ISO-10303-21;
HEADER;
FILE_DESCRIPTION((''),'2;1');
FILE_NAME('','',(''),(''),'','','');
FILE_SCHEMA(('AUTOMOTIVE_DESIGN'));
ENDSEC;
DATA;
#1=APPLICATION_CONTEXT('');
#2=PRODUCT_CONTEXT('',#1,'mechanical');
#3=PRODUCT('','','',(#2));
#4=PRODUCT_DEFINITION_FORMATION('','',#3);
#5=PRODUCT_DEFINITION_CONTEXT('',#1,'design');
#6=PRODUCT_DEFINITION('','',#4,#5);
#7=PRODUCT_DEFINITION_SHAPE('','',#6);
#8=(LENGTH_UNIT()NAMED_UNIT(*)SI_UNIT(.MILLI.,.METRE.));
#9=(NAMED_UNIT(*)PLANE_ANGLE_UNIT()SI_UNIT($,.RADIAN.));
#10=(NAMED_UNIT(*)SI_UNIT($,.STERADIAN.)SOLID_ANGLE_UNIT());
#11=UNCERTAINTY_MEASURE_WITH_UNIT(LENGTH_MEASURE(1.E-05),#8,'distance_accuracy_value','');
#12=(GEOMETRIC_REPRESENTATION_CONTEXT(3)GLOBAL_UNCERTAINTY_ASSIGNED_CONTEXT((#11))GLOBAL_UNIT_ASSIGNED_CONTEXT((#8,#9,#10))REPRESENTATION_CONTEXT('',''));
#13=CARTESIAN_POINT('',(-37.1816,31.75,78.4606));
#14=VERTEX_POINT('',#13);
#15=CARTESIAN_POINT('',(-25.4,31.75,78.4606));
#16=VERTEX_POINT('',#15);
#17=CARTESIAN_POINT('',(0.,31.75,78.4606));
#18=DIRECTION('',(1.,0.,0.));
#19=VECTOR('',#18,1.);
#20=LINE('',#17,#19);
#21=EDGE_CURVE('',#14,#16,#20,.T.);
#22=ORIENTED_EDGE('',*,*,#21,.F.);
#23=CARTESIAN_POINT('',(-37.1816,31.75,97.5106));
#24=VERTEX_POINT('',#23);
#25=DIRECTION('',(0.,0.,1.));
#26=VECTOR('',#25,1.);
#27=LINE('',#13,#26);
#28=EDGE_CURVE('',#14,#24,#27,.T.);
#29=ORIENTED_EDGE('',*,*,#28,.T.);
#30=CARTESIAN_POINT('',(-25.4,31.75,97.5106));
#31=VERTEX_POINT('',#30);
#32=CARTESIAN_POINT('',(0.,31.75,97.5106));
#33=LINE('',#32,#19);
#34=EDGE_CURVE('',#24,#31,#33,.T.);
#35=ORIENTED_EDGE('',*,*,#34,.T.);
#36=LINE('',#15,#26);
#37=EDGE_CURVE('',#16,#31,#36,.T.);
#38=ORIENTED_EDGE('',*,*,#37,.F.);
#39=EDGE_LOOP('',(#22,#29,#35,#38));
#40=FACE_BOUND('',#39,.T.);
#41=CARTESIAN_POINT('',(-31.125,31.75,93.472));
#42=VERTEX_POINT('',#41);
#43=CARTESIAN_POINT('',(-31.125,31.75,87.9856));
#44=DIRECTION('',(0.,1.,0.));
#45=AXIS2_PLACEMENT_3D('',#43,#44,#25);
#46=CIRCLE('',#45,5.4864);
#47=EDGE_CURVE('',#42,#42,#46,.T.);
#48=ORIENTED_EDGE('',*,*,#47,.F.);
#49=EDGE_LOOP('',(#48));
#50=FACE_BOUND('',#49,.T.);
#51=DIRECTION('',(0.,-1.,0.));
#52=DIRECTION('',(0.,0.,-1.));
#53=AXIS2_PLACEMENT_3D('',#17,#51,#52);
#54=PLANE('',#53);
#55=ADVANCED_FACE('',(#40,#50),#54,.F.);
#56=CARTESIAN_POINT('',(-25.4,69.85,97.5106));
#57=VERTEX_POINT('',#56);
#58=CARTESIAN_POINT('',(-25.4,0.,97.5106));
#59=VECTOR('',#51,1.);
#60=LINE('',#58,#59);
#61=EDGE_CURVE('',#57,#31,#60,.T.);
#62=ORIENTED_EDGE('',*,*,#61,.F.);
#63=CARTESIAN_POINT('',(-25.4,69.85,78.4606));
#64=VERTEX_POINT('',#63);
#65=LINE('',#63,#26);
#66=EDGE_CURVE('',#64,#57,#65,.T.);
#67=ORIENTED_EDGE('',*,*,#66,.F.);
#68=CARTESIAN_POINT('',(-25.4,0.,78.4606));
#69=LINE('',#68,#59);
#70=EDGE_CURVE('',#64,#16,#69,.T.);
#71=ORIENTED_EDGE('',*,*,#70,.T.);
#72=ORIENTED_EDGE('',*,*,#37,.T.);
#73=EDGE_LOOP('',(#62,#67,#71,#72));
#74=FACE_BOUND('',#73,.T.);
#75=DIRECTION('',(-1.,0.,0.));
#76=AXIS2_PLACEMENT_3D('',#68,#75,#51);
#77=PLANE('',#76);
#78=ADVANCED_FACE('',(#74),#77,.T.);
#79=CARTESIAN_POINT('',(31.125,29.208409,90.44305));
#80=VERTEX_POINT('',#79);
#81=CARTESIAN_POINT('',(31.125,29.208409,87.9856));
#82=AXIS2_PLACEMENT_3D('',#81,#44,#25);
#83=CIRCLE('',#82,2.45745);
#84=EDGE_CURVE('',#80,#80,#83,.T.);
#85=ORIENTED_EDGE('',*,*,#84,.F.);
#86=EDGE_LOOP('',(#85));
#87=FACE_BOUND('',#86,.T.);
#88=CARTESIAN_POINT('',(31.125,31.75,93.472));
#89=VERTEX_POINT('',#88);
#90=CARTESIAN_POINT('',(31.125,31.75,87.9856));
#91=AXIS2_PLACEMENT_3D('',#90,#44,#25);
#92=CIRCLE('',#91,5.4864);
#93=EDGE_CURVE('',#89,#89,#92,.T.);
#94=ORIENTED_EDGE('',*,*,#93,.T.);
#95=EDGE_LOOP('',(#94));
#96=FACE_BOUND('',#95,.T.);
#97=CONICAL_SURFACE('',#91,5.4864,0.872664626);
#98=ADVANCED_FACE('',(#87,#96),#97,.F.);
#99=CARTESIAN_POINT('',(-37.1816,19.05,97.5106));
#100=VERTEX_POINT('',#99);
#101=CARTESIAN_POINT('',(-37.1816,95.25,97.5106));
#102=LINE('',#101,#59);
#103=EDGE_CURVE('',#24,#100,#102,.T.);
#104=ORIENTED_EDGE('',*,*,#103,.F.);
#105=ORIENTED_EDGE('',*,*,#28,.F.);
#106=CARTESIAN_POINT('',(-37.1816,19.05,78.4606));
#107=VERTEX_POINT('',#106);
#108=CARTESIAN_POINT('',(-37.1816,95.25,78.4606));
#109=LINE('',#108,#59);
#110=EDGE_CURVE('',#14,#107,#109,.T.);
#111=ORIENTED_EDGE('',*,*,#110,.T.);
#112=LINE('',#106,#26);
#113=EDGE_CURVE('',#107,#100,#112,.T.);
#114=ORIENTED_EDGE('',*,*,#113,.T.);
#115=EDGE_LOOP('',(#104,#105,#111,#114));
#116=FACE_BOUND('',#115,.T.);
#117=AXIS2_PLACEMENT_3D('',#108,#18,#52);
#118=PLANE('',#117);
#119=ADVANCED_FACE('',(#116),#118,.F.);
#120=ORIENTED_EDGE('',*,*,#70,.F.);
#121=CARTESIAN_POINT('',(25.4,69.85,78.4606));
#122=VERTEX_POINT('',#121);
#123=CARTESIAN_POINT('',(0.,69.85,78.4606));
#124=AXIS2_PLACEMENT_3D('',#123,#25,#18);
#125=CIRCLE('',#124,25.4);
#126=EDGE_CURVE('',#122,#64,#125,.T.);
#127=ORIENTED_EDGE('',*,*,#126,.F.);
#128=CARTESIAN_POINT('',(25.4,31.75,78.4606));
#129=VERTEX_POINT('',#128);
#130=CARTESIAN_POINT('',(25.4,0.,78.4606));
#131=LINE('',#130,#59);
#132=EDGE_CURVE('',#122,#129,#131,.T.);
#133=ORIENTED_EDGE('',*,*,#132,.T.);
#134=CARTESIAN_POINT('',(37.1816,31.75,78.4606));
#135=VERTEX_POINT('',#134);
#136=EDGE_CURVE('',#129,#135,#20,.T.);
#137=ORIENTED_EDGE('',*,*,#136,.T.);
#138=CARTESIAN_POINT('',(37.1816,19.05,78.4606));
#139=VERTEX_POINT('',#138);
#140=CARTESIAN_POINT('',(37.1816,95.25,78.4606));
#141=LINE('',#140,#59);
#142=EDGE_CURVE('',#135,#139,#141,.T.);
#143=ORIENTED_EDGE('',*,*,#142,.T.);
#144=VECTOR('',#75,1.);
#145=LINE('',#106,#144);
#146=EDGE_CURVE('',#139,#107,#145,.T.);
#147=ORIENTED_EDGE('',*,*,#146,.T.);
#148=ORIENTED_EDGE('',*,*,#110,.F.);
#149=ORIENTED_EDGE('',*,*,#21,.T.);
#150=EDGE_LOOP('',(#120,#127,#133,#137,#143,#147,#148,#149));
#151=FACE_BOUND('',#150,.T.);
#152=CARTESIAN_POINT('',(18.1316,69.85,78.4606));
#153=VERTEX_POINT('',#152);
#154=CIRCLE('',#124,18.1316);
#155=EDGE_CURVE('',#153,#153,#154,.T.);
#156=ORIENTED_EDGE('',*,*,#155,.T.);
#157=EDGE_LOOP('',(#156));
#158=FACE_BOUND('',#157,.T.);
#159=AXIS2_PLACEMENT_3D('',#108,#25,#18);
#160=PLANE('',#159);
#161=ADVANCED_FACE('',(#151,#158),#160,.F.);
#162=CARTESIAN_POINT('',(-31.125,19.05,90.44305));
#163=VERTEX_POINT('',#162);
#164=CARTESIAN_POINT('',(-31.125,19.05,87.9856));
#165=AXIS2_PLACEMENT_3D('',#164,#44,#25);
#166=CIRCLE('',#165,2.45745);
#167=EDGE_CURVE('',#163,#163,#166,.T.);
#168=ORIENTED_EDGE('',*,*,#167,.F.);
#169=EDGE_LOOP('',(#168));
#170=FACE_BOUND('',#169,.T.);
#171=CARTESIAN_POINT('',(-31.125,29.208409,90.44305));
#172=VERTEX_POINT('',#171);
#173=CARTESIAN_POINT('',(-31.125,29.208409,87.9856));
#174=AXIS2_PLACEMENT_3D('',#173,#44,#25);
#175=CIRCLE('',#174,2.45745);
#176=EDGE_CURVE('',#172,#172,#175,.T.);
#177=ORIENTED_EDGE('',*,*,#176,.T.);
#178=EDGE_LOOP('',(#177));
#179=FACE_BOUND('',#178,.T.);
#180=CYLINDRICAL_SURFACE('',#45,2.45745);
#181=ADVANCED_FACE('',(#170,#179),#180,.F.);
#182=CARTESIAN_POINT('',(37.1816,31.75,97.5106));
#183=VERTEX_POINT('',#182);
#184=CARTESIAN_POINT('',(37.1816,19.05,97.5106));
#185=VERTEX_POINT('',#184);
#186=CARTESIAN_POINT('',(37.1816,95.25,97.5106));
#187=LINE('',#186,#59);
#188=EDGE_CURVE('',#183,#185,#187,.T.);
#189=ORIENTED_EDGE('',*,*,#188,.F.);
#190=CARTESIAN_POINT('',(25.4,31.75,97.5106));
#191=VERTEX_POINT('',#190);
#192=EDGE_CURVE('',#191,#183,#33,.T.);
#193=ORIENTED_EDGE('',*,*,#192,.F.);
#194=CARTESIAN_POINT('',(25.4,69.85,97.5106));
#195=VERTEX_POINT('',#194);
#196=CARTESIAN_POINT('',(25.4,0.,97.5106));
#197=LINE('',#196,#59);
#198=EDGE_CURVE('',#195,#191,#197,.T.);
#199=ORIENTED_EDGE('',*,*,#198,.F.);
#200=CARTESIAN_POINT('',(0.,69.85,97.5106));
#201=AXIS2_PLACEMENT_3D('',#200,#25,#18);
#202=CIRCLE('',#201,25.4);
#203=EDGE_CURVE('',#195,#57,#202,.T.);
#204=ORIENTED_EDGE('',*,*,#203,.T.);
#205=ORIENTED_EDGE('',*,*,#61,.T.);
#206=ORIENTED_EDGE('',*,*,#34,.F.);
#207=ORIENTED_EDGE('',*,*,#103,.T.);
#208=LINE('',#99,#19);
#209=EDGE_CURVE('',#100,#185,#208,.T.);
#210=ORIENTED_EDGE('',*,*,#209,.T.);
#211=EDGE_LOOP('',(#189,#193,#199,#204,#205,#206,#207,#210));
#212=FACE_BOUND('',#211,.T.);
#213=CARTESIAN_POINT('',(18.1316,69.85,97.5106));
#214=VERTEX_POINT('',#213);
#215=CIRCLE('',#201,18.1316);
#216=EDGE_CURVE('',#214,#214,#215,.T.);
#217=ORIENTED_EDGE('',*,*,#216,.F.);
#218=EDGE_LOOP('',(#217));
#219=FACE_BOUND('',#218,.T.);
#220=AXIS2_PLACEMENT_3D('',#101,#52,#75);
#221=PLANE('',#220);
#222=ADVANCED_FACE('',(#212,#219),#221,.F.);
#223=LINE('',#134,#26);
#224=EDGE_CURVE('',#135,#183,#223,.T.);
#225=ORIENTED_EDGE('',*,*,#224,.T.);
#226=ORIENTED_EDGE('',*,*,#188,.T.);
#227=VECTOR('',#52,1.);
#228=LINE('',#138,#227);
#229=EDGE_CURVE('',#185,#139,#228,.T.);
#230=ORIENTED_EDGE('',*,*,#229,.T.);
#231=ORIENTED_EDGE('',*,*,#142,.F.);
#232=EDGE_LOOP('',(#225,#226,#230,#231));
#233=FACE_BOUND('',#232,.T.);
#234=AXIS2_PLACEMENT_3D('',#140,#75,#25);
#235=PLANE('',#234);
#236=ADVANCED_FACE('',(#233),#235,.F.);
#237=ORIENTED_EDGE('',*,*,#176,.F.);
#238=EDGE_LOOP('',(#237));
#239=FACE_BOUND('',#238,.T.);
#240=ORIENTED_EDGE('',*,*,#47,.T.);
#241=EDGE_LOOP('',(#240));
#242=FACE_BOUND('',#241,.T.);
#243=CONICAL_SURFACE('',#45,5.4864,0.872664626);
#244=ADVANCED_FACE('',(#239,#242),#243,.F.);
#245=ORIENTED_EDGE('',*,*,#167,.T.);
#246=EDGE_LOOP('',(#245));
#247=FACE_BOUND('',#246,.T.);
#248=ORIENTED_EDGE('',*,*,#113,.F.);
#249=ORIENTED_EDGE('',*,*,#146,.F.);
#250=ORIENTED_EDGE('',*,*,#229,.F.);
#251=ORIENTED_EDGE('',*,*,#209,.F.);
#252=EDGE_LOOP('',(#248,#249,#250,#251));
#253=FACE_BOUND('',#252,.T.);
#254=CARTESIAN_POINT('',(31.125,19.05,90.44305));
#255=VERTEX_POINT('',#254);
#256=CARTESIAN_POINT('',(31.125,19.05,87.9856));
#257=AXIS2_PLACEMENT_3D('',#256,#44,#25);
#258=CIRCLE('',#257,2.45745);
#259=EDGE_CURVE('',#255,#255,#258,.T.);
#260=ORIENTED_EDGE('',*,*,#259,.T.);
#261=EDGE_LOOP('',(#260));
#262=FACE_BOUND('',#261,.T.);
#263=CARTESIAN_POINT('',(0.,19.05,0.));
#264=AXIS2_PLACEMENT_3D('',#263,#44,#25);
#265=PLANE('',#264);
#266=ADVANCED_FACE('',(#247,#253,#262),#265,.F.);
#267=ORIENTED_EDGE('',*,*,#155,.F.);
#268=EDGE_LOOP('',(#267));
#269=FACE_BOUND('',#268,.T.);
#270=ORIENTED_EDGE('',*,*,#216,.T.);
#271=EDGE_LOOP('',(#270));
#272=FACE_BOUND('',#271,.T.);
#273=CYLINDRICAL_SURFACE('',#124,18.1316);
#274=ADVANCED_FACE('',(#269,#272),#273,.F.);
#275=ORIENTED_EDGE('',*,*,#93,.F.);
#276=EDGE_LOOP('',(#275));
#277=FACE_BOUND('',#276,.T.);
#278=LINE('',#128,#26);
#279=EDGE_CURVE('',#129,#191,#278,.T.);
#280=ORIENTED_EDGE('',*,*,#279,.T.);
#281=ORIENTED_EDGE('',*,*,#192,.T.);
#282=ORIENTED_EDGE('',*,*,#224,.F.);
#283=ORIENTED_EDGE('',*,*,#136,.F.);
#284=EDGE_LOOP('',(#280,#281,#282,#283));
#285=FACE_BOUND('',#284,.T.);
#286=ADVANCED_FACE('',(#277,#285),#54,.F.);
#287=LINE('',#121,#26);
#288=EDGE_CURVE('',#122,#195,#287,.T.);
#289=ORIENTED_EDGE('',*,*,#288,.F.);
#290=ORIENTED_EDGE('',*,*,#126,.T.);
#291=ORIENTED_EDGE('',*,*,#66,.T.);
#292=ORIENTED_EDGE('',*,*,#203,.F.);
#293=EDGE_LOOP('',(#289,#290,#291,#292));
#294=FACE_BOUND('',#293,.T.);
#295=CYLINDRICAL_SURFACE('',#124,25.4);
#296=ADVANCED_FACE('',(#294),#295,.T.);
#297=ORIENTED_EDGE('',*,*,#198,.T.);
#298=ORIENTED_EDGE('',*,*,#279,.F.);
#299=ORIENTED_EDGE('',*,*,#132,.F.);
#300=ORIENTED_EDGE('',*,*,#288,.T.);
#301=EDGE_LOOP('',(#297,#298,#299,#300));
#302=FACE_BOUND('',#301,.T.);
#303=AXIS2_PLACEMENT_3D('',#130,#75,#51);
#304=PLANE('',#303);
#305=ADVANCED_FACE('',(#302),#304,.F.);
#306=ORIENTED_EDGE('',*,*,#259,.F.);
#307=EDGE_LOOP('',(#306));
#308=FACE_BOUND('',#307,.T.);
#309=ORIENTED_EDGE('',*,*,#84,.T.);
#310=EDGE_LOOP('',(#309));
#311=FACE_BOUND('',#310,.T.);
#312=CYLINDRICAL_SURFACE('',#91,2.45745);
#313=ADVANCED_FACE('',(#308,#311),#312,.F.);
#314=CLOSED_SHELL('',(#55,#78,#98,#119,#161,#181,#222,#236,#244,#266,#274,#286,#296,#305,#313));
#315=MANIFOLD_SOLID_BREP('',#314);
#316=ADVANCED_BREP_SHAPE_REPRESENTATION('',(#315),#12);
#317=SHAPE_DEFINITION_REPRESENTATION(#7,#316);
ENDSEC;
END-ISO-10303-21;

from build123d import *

# Parameters (mm, degrees)
SKETCH1_W                                         = 74.3632
SKETCH1_H                                         = 19.05
BOSS_EXTRUDE2_DEPTH                               = 76.2
SKETCH2_R                                         = 18.1316
CUT_EXTRUDE1_DEPTH                                = 20.05
CSK_FOR_8_FLAT_HEAD_MACHINE_SCREW_100_D           = 4.9149
CSK_FOR_8_FLAT_HEAD_MACHINE_SCREW_100_CSINK_D     = 10.9728
CSK_FOR_8_FLAT_HEAD_MACHINE_SCREW_100_CSINK_ANGLE = 100


with BuildPart() as part:
    # Sketch1 → Boss-Extrude2 (new body)
    with BuildSketch(Plane(origin=(0, 19.05, 0), x_dir=(1, 0, 0), z_dir=(0, 1, 0))):
        with Locations((0, -87.9856)):
            Rectangle(SKETCH1_W, SKETCH1_H)
    extrude(amount=BOSS_EXTRUDE2_DEPTH)

    # Sketch2 → Cut-Extrude1 (cut, through all)
    with BuildSketch(Plane.XY.offset(97.5106)):
        with BuildLine():
            Line((-37.1816, 95.25), (-37.1816, 31.75))
            Line((-37.1816, 31.75), (-25.4, 31.75))
            Line((-25.4, 31.75), (-25.4, 69.85))
            ThreePointArc((-25.4, 69.85), (-17.960512267, 87.810512217), (-7.1e-08, 95.25))
            Line((-7.1e-08, 95.25), (-37.1816, 95.25))
        make_face()
        with BuildLine():
            Line((25.4, 69.85), (25.4, 31.75))
            Line((25.4, 31.75), (37.1816, 31.75))
            Line((37.1816, 31.75), (37.1816, 95.25))
            Line((37.1816, 95.25), (-7.1e-08, 95.25))
            ThreePointArc((-7.1e-08, 95.25), (17.960512217, 87.810512267), (25.4, 69.85))
        make_face()
        with Locations((0, 69.85)):
            Circle(SKETCH2_R)
    extrude(amount=-CUT_EXTRUDE1_DEPTH, mode=Mode.SUBTRACT)

    # CSK for #8 Flat Head Machine Screw (100)1 (through all)
    with Locations(Plane(origin=(0, 31.75, 0), x_dir=(1, 0, 0), z_dir=(0, 1, 0))):
        with Locations((-31.125, -87.9856), (31.125, -87.9856)):
            CounterSinkHole(CSK_FOR_8_FLAT_HEAD_MACHINE_SCREW_100_D / 2, CSK_FOR_8_FLAT_HEAD_MACHINE_SCREW_100_CSINK_D / 2, counter_sink_angle=CSK_FOR_8_FLAT_HEAD_MACHINE_SCREW_100_CSINK_ANGLE)


solid = part.part
